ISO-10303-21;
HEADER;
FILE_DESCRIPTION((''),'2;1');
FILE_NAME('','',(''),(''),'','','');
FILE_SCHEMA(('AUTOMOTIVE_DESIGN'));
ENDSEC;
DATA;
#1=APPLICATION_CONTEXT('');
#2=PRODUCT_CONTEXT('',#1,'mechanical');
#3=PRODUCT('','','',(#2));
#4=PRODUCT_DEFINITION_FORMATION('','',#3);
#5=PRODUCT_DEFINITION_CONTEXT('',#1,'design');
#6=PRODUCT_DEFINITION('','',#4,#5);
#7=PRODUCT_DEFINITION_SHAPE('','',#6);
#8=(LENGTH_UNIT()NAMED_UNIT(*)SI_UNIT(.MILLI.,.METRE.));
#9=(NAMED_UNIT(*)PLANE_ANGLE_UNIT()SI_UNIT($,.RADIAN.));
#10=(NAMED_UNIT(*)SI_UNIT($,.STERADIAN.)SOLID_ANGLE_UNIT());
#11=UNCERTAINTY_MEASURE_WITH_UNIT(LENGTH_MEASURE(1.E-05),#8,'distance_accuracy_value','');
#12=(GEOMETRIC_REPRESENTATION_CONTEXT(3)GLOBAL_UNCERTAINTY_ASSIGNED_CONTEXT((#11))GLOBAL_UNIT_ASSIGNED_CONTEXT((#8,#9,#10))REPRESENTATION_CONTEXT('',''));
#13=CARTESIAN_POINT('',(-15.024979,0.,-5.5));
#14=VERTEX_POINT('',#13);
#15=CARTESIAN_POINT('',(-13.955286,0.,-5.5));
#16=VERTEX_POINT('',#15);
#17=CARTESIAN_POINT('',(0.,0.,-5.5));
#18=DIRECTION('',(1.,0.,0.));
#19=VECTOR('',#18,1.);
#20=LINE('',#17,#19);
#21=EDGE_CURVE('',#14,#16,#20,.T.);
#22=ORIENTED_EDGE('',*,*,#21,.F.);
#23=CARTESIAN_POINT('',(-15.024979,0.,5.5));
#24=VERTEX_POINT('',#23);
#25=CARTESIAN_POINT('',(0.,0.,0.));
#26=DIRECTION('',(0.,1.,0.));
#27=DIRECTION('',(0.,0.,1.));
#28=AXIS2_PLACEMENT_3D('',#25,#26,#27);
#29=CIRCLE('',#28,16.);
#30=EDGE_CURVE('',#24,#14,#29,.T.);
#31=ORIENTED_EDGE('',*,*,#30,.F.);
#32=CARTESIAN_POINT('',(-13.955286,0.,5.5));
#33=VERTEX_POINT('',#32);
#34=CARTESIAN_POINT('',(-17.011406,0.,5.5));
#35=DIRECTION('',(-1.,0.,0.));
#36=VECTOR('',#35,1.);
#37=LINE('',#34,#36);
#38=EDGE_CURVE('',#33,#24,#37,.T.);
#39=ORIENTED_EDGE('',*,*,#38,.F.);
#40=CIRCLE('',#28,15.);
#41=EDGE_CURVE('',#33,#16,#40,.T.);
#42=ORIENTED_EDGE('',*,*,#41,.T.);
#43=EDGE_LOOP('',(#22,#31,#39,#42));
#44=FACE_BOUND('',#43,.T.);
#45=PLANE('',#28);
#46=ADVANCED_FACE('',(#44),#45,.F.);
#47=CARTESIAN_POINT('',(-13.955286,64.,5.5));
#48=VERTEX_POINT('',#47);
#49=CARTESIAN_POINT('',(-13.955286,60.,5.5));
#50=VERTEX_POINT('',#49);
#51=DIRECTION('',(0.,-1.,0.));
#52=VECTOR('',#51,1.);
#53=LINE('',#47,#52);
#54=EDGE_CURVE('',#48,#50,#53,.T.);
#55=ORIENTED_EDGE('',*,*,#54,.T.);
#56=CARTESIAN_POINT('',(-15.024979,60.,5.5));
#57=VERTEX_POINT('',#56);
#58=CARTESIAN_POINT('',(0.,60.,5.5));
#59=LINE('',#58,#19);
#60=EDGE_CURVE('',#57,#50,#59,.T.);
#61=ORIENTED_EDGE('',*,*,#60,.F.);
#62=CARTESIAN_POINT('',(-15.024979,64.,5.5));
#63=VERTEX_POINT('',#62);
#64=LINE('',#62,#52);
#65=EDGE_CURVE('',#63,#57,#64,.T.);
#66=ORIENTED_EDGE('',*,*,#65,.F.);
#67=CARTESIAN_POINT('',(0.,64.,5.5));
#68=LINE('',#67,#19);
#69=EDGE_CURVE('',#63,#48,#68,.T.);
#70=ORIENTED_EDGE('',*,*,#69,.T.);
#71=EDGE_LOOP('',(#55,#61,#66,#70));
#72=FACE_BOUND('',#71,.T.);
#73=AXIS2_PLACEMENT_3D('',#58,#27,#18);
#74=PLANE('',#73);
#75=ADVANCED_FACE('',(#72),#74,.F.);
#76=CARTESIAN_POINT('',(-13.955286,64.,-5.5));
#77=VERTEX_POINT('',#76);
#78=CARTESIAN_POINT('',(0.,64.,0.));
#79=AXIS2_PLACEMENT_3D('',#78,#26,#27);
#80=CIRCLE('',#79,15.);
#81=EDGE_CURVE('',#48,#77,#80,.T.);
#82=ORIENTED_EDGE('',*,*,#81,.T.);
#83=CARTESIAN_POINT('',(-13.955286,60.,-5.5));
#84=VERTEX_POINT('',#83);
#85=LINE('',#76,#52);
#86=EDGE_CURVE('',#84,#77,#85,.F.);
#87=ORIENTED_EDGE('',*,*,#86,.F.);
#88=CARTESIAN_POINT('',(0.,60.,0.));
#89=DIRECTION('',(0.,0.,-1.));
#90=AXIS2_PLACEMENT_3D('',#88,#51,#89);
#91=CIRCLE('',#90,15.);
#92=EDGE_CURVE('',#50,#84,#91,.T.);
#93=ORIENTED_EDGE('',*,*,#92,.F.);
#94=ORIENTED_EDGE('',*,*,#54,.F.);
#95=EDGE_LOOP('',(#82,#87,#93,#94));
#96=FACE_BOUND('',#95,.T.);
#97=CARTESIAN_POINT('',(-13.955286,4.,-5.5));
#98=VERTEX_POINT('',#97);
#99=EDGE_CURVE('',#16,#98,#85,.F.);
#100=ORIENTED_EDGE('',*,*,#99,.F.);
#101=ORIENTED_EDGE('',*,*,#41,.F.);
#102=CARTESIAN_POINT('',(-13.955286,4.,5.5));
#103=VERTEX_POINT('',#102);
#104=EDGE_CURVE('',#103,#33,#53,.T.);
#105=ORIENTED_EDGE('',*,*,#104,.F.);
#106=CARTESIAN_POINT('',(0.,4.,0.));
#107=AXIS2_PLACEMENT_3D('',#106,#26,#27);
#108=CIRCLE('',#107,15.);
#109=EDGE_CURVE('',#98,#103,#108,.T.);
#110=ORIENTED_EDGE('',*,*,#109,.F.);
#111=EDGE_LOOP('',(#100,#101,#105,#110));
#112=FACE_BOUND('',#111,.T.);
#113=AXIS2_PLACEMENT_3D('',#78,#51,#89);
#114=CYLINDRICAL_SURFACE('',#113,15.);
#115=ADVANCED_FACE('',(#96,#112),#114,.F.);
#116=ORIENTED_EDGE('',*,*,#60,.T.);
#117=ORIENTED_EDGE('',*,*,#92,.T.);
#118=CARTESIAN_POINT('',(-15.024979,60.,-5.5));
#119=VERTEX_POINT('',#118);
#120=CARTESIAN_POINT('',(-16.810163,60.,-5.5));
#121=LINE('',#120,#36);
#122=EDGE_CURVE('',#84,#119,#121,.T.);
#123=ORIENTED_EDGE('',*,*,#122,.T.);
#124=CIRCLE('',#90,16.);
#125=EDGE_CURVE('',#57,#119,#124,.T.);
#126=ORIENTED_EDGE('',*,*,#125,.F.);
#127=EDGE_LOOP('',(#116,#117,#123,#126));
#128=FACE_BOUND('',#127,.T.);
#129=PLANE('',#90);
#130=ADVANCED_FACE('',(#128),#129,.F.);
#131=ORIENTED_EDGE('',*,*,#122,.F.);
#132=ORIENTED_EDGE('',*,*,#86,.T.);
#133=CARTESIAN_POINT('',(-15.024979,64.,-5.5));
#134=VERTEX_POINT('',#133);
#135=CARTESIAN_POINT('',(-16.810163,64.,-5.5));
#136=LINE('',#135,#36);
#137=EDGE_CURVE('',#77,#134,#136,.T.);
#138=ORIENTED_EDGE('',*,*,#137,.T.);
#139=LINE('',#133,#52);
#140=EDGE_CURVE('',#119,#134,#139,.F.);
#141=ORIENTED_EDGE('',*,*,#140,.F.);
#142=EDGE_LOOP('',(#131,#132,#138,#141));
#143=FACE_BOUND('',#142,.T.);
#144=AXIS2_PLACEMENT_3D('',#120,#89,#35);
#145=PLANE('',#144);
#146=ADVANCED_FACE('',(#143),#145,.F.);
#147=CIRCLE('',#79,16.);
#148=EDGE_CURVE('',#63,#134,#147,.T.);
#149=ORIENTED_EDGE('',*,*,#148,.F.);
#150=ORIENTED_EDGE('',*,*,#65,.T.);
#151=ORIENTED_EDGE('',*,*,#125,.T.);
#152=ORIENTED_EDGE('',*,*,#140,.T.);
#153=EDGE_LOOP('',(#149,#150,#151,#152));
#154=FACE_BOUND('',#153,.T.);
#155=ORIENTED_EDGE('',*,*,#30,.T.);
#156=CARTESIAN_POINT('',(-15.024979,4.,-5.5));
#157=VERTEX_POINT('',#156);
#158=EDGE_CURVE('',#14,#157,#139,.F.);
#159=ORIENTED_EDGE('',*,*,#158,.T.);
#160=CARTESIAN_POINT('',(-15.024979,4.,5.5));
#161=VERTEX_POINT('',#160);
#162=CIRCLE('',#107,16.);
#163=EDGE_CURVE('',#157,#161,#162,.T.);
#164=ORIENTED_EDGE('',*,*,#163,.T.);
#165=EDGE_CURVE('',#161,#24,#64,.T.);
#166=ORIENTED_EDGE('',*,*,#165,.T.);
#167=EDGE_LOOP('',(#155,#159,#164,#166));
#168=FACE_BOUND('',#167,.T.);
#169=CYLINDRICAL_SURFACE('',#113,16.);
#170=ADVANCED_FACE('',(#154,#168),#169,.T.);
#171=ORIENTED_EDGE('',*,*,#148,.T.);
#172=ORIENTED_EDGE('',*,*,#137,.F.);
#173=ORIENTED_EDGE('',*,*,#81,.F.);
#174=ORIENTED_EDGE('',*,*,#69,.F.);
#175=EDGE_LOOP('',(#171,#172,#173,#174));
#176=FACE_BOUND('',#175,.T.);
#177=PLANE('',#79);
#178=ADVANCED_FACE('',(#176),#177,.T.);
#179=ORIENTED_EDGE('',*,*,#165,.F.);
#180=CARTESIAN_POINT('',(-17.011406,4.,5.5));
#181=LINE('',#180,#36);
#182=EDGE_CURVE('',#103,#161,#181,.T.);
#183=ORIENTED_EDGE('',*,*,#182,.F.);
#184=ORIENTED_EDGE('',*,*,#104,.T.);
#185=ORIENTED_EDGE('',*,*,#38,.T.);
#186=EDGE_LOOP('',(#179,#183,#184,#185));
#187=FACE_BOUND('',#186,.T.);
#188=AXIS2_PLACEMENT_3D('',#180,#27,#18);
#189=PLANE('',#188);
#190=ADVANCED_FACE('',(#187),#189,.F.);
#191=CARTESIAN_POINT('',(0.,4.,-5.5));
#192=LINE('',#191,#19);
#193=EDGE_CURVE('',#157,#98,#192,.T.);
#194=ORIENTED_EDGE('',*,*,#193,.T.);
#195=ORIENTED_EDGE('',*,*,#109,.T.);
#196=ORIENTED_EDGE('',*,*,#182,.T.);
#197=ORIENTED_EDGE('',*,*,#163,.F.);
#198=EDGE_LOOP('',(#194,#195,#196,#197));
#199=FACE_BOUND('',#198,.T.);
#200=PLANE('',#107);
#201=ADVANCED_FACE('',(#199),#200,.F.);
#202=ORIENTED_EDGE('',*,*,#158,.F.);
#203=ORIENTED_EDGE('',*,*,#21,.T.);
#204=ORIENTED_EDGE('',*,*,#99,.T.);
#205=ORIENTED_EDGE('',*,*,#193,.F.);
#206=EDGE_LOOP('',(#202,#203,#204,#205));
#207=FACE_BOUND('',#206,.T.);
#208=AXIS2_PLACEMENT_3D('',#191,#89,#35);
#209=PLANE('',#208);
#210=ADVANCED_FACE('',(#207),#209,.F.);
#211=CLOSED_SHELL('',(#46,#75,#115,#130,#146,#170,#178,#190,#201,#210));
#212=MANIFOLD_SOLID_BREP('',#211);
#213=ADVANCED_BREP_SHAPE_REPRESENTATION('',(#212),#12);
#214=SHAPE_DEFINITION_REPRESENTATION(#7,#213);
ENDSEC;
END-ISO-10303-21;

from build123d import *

# Parameters (mm, degrees)
SKETCH1_R           = 16
SKETCH1_R_2         = 15
BOSS_EXTRUDE1_DEPTH = 64
CUT_EXTRUDE1_DEPTH  = 4
CUT_EXTRUDE2_DEPTH  = 4


with BuildPart() as part:
    # Sketch1 → Boss-Extrude1 (new body)
    with BuildSketch(Plane(origin=(0, 0, 0), x_dir=(1, 0, 0), z_dir=(0, 1, 0))):
        Circle(SKETCH1_R)
        Circle(SKETCH1_R_2, mode=Mode.SUBTRACT)
    extrude(amount=BOSS_EXTRUDE1_DEPTH)

    # Sketch2 → Cut-Extrude1 (cut)
    with BuildSketch(Plane(origin=(0, 64, 0), x_dir=(1, 0, 0), z_dir=(0, 1, 0))):
        Polygon((0, 0), (0, 5.5), (-16.81016258, 5.5), (-16.81016258, -5.5), (0, -5.5), align=None)
    extrude(amount=-CUT_EXTRUDE1_DEPTH, mode=Mode.SUBTRACT)

    # Sketch3 → Cut-Extrude2 (cut)
    with BuildSketch(Plane.XZ):
        Polygon((0, 0), (0, 5.5), (-17.011405804, 5.5), (-17.011405804, -5.5), (0, -5.5), align=None)
    extrude(amount=-CUT_EXTRUDE2_DEPTH, mode=Mode.SUBTRACT)


solid = part.part
